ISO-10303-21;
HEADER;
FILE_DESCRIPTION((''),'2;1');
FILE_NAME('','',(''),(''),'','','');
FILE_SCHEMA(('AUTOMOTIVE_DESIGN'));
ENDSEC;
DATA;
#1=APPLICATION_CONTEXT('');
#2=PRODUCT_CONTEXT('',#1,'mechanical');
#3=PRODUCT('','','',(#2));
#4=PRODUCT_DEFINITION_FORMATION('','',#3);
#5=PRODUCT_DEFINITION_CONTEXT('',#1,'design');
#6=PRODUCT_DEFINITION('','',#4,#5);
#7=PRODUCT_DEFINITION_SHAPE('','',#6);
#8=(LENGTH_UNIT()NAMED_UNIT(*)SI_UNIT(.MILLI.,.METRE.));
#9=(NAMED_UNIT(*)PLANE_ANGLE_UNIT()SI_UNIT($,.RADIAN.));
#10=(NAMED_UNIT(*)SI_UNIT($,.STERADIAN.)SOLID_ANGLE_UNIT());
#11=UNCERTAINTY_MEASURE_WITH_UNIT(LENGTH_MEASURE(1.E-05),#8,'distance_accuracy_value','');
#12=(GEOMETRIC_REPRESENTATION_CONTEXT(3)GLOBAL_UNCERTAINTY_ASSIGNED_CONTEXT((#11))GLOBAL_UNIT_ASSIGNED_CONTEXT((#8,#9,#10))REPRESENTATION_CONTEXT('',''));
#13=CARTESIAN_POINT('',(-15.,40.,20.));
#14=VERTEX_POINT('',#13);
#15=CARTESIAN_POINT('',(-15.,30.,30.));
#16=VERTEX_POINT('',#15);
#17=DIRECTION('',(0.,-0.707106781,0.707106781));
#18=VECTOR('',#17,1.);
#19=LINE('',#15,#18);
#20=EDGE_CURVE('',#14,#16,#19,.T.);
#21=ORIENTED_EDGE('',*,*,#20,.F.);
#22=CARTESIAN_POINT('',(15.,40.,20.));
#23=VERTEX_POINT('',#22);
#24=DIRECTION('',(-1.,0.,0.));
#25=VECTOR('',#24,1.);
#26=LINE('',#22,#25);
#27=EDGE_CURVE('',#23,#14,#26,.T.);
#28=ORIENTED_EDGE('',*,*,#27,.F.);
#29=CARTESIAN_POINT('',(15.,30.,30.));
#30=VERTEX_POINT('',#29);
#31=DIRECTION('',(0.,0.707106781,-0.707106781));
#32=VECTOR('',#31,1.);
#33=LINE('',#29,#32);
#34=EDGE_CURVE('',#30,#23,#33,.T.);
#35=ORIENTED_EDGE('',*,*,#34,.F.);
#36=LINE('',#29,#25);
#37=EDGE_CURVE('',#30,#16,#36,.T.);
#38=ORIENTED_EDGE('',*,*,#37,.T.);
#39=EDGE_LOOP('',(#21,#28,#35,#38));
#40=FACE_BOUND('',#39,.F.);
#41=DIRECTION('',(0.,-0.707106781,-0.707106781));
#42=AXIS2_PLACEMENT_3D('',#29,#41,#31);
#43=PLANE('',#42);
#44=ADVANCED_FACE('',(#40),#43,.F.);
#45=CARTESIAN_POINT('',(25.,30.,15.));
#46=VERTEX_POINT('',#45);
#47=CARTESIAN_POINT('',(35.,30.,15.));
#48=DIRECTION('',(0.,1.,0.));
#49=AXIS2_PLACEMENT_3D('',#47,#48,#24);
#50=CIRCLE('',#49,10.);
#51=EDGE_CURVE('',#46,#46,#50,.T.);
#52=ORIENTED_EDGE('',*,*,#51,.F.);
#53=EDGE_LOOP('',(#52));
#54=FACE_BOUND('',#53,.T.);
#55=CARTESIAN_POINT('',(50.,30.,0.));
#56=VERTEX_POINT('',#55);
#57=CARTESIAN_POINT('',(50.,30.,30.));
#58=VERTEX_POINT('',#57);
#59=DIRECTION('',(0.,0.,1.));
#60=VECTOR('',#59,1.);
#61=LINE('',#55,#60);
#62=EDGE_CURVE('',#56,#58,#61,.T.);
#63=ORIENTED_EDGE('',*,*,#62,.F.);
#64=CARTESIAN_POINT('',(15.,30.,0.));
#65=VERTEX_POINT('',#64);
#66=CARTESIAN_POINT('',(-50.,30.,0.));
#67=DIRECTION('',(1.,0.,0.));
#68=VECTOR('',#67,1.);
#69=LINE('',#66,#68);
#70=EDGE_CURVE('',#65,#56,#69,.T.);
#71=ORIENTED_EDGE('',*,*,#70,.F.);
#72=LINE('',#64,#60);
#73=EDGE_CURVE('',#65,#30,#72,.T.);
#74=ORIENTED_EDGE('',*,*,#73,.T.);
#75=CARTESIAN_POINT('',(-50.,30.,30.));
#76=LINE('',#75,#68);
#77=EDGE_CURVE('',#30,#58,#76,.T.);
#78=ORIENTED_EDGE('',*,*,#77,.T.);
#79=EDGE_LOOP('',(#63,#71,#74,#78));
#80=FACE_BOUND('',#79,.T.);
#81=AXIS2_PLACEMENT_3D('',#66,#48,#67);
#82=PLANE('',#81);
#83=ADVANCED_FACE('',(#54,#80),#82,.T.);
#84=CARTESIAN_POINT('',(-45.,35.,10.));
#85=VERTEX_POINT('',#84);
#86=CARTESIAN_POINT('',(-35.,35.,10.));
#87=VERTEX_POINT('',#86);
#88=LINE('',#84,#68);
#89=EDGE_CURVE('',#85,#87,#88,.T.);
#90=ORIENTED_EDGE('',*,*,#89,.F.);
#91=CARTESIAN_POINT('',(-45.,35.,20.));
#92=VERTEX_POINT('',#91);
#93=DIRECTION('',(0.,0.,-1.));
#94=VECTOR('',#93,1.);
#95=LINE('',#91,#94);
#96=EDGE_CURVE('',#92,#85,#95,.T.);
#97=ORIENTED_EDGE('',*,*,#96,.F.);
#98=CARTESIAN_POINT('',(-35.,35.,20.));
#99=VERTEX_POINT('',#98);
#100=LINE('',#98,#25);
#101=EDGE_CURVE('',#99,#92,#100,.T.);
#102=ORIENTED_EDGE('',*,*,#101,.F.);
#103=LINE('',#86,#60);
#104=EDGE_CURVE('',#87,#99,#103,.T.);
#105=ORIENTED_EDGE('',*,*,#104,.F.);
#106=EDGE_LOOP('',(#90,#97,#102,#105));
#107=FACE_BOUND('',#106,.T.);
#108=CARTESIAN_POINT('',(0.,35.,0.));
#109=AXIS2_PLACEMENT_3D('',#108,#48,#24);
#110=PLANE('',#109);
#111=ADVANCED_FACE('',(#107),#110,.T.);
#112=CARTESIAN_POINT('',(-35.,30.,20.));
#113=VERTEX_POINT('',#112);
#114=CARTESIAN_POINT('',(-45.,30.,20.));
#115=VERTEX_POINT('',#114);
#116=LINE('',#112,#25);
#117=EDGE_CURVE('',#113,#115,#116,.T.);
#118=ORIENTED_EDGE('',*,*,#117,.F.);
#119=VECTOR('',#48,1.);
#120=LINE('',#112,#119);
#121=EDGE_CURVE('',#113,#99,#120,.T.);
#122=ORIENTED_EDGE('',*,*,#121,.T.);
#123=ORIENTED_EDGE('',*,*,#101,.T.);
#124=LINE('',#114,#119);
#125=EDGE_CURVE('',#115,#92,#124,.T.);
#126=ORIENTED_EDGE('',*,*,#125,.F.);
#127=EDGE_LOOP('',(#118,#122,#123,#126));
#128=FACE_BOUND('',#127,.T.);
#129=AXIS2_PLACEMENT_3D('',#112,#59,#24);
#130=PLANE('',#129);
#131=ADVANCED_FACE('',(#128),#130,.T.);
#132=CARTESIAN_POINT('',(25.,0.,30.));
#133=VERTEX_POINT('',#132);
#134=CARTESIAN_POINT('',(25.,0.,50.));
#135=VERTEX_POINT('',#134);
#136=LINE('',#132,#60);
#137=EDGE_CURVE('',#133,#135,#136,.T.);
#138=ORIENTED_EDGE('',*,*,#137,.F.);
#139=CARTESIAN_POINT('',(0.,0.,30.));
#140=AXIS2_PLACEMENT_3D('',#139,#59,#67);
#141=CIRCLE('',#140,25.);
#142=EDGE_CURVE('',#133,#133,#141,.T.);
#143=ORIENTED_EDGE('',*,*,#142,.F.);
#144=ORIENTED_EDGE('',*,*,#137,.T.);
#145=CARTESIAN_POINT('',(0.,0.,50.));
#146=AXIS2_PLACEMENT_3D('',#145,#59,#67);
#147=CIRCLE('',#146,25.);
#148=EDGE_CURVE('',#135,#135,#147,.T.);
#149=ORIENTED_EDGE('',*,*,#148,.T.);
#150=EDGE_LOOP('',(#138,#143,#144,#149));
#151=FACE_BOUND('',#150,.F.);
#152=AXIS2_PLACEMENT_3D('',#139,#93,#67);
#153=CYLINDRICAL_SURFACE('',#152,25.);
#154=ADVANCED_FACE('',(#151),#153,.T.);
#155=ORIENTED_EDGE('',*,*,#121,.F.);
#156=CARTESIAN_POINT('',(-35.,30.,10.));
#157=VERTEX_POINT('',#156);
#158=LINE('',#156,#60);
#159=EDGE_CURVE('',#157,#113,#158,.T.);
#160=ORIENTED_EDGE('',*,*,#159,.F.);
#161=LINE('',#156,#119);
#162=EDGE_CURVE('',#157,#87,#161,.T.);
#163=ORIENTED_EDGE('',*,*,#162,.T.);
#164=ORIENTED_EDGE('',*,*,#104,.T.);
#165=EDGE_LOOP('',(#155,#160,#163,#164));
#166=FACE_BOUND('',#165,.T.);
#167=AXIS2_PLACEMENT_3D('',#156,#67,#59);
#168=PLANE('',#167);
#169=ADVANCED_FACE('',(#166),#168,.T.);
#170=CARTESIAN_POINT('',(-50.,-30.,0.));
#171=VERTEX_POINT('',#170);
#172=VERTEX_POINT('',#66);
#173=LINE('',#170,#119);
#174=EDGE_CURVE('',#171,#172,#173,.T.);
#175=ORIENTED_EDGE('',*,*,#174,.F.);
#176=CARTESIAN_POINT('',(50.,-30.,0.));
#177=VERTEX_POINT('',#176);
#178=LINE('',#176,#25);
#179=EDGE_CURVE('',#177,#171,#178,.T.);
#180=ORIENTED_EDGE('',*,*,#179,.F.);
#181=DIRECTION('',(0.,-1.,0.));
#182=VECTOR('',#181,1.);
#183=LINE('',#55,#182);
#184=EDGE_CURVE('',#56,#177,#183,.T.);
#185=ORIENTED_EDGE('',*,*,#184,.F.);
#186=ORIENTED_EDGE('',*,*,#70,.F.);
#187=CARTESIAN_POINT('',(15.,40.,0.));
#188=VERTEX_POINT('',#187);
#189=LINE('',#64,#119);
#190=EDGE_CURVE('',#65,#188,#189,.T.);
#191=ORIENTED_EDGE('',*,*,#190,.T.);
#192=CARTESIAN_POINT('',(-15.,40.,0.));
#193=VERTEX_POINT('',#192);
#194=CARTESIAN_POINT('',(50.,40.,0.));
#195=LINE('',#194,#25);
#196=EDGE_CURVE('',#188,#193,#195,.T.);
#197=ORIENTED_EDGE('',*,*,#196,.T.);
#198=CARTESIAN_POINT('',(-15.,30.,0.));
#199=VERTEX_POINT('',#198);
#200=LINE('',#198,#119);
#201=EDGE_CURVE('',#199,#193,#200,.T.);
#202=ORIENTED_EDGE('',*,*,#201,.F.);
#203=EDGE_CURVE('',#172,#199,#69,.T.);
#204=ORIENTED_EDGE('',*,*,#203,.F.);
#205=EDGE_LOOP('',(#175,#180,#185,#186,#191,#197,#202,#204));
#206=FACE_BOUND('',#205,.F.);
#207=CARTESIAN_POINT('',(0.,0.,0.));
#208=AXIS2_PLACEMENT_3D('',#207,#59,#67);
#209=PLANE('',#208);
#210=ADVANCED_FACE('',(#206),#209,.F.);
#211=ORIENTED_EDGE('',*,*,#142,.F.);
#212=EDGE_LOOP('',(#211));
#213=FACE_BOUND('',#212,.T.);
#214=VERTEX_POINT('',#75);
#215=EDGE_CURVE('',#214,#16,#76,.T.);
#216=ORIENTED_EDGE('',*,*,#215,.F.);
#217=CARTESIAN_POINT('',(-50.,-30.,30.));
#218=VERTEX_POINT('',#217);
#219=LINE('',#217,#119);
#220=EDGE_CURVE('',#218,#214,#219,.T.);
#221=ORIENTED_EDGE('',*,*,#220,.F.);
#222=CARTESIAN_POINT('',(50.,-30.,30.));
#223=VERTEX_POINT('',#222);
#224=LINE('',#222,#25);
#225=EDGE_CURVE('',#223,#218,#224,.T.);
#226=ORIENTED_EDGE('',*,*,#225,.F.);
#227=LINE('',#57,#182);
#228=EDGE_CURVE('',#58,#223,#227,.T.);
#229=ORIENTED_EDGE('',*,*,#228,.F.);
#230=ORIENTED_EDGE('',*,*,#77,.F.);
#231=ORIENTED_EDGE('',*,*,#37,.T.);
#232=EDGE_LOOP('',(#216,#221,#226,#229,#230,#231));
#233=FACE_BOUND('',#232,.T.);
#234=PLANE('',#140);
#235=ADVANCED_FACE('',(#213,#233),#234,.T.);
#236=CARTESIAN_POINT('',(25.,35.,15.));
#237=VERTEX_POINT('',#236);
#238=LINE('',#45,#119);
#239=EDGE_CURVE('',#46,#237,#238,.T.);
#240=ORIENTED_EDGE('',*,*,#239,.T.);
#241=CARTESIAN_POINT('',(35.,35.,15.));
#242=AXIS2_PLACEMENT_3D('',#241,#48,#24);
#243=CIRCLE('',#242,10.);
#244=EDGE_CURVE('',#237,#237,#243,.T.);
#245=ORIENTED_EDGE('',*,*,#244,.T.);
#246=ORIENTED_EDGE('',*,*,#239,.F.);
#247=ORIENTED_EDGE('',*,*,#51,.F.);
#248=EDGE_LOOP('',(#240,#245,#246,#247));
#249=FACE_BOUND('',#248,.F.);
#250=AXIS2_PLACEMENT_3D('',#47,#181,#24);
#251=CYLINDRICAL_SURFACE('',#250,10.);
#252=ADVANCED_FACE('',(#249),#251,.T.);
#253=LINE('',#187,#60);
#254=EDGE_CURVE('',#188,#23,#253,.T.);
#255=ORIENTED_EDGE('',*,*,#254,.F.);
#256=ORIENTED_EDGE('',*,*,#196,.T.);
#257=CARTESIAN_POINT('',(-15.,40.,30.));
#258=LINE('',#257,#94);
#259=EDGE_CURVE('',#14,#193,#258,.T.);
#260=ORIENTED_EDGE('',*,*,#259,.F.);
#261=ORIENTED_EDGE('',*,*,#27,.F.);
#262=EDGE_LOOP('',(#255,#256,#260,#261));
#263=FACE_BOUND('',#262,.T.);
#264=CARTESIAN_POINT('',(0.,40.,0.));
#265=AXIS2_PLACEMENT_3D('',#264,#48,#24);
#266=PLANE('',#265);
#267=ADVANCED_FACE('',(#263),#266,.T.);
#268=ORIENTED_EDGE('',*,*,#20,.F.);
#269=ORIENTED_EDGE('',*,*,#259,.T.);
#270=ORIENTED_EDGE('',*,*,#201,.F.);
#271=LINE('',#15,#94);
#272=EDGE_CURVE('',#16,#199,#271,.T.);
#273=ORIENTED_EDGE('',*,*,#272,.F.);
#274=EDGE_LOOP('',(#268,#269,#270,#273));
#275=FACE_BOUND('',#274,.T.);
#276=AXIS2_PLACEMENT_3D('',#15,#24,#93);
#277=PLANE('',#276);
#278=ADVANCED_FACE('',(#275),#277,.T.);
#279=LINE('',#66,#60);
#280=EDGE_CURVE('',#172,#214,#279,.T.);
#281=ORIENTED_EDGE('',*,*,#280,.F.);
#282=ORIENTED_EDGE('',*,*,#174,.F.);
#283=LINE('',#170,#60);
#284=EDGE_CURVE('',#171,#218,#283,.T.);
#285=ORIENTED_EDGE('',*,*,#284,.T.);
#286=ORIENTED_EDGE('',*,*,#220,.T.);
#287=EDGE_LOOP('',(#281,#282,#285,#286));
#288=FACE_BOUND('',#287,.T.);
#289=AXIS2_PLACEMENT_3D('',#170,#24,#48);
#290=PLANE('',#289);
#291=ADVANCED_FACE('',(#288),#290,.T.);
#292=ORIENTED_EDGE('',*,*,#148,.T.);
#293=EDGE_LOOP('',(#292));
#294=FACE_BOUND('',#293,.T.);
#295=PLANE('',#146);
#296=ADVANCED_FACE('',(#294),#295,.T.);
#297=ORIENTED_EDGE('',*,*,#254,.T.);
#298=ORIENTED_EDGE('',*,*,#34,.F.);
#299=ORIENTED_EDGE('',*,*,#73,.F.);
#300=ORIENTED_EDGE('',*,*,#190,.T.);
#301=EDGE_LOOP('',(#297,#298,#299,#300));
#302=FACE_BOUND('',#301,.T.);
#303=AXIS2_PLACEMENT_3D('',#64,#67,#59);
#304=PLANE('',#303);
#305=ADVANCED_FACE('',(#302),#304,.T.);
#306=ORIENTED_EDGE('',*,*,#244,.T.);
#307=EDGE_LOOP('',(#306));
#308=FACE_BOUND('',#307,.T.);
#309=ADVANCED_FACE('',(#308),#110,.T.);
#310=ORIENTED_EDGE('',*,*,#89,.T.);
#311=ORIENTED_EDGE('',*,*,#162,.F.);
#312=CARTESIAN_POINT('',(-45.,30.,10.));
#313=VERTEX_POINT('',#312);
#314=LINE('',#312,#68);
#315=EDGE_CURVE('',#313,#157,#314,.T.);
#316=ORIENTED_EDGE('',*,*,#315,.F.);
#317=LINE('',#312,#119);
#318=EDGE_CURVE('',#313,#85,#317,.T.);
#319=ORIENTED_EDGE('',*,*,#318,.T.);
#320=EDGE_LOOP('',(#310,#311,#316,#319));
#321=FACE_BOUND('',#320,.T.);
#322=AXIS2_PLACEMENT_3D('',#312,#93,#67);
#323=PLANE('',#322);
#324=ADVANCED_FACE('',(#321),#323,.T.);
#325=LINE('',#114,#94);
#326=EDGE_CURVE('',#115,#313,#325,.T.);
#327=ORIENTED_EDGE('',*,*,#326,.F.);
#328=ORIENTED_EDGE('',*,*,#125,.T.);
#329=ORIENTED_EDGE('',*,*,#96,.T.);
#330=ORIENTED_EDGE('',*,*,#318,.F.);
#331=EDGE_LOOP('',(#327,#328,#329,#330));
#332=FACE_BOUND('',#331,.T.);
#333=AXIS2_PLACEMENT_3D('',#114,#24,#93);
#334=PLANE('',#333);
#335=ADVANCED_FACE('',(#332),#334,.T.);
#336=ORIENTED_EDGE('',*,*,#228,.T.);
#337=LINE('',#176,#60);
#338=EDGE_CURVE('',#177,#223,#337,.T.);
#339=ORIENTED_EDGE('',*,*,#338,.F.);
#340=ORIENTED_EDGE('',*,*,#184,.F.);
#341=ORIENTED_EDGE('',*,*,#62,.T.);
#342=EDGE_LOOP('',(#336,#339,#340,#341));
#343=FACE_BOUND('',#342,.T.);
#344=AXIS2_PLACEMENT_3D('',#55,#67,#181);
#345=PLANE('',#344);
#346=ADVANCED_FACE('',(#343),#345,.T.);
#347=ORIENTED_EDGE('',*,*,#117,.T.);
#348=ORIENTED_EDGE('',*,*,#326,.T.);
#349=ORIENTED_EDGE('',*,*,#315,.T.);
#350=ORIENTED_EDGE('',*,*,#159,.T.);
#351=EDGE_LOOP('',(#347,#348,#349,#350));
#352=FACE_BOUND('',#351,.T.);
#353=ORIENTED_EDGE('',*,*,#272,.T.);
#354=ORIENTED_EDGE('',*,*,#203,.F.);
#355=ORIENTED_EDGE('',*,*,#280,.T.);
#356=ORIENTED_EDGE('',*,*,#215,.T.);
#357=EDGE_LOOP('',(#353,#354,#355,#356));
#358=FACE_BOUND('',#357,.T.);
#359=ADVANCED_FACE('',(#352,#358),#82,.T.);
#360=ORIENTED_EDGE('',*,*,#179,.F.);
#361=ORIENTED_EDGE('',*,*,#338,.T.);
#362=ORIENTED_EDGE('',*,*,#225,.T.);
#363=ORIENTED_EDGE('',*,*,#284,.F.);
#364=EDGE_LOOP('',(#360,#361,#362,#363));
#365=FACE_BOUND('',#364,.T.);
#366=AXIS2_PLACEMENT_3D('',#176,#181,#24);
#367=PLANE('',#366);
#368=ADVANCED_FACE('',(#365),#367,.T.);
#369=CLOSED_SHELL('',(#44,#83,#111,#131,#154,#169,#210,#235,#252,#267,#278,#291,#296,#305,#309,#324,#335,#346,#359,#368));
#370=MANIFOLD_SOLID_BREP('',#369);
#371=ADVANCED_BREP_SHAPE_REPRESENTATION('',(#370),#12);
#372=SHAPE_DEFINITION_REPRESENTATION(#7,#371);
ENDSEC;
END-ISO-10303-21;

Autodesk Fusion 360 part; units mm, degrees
sketch "Sketch1" plane through (0, 0, 0) normal (0, 0, 1) x (1, 0, 0)
  line L0 (-50, 30) -> (50, 30)
  line L1 (50, 30) -> (50, -30)
  line L2 (50, -30) -> (-50, -30)
  line L3 (-50, -30) -> (-50, 30)
  dimension "d1" = 100
  dimension "d2" = 60
  dimension "d4" = 30
  dimension "d5" = 50
extrude "Extrude1" add sketch "Sketch1" along normal blind 30
sketch "Sketch2" plane through (0, 0, 30) normal (0, 0, 1) x (1, 0, 0)
  line L0 (-50, -30) -> (50, -30)
  line L1 (50, -30) -> (50, 30)
  line L2 (50, 30) -> (-50, 30)
  line L3 (-50, 30) -> (-50, -30)
  circle A0 centre (0, 0) radius 25
  dimension "d8" = 50
extrude "Extrude2" add sketch "Sketch2" along normal blind 20 contours A0
sketch "Sketch3" plane through (0, 30, 0) normal (0, 1, 0) x (-1, 0, 0)
  line L0 (-50, 0) -> (50, 0)
  line L1 (50, 0) -> (50, 30)
  line L2 (50, 30) -> (-50, 30)
  line L3 (-50, 30) -> (-50, 0)
  line L4 (15, 0) -> (-15, 0)
  line L5 (-15, 0) -> (-15, 30)
  line L6 (-15, 30) -> (15, 30)
  line L7 (15, 30) -> (15, 0)
extrude "Extrude3" add sketch "Sketch3" along normal blind 10 contours L0 L2 L4 L5 L6 L7
sketch "Sketch4" plane through (0, 30, 0) normal (0, 1, 0) x (-1, 0, 0)
  line L0 (-15, 0) -> (-15, 30)
  line L1 (-15, 30) -> (-50, 30)
  line L2 (-50, 30) -> (-50, 0)
  line L3 (-50, 0) -> (-15, 0)
  circle A0 centre (-35, 15) radius 10
  line L4 (45, 10) -> (35, 10)
  line L5 (35, 10) -> (35, 20)
  line L6 (35, 20) -> (45, 20)
  line L7 (45, 20) -> (45, 10)
  line L8 (15, 0) -> (15, 30)
  dimension "d16" = 20
  dimension "d17" = 20
  dimension "d18" = 20
extrude "Extrude4" add sketch "Sketch4" along normal blind 5 contours A0 | L4 L5 L6 L7
sketch "Sketch5" plane through (15, 0, 0) normal (1, 0, 0) x (0, 0, -1)
  line L0 (-30, 30) -> (0, 30)
  line L1 (0, 30) -> (0, 40)
  line L2 (0, 40) -> (-30, 40)
  line L3 (-30, 40) -> (-30, 30)
  line L4 (-30, 40) -> (-30, 30)
  line L5 (-30, 30) -> (-20, 40)
  line L6 (-20, 40) -> (-30, 40)
extrude "Extrude5" cut sketch "Sketch5" against normal blind 35 contours L2 L3 L4 L5 L6
sketch "Sketch6" plane through (0, 0, 50) normal (0, 0, 1) x (1, 0, 0)
  circle A0 centre (0, 0) radius 25
